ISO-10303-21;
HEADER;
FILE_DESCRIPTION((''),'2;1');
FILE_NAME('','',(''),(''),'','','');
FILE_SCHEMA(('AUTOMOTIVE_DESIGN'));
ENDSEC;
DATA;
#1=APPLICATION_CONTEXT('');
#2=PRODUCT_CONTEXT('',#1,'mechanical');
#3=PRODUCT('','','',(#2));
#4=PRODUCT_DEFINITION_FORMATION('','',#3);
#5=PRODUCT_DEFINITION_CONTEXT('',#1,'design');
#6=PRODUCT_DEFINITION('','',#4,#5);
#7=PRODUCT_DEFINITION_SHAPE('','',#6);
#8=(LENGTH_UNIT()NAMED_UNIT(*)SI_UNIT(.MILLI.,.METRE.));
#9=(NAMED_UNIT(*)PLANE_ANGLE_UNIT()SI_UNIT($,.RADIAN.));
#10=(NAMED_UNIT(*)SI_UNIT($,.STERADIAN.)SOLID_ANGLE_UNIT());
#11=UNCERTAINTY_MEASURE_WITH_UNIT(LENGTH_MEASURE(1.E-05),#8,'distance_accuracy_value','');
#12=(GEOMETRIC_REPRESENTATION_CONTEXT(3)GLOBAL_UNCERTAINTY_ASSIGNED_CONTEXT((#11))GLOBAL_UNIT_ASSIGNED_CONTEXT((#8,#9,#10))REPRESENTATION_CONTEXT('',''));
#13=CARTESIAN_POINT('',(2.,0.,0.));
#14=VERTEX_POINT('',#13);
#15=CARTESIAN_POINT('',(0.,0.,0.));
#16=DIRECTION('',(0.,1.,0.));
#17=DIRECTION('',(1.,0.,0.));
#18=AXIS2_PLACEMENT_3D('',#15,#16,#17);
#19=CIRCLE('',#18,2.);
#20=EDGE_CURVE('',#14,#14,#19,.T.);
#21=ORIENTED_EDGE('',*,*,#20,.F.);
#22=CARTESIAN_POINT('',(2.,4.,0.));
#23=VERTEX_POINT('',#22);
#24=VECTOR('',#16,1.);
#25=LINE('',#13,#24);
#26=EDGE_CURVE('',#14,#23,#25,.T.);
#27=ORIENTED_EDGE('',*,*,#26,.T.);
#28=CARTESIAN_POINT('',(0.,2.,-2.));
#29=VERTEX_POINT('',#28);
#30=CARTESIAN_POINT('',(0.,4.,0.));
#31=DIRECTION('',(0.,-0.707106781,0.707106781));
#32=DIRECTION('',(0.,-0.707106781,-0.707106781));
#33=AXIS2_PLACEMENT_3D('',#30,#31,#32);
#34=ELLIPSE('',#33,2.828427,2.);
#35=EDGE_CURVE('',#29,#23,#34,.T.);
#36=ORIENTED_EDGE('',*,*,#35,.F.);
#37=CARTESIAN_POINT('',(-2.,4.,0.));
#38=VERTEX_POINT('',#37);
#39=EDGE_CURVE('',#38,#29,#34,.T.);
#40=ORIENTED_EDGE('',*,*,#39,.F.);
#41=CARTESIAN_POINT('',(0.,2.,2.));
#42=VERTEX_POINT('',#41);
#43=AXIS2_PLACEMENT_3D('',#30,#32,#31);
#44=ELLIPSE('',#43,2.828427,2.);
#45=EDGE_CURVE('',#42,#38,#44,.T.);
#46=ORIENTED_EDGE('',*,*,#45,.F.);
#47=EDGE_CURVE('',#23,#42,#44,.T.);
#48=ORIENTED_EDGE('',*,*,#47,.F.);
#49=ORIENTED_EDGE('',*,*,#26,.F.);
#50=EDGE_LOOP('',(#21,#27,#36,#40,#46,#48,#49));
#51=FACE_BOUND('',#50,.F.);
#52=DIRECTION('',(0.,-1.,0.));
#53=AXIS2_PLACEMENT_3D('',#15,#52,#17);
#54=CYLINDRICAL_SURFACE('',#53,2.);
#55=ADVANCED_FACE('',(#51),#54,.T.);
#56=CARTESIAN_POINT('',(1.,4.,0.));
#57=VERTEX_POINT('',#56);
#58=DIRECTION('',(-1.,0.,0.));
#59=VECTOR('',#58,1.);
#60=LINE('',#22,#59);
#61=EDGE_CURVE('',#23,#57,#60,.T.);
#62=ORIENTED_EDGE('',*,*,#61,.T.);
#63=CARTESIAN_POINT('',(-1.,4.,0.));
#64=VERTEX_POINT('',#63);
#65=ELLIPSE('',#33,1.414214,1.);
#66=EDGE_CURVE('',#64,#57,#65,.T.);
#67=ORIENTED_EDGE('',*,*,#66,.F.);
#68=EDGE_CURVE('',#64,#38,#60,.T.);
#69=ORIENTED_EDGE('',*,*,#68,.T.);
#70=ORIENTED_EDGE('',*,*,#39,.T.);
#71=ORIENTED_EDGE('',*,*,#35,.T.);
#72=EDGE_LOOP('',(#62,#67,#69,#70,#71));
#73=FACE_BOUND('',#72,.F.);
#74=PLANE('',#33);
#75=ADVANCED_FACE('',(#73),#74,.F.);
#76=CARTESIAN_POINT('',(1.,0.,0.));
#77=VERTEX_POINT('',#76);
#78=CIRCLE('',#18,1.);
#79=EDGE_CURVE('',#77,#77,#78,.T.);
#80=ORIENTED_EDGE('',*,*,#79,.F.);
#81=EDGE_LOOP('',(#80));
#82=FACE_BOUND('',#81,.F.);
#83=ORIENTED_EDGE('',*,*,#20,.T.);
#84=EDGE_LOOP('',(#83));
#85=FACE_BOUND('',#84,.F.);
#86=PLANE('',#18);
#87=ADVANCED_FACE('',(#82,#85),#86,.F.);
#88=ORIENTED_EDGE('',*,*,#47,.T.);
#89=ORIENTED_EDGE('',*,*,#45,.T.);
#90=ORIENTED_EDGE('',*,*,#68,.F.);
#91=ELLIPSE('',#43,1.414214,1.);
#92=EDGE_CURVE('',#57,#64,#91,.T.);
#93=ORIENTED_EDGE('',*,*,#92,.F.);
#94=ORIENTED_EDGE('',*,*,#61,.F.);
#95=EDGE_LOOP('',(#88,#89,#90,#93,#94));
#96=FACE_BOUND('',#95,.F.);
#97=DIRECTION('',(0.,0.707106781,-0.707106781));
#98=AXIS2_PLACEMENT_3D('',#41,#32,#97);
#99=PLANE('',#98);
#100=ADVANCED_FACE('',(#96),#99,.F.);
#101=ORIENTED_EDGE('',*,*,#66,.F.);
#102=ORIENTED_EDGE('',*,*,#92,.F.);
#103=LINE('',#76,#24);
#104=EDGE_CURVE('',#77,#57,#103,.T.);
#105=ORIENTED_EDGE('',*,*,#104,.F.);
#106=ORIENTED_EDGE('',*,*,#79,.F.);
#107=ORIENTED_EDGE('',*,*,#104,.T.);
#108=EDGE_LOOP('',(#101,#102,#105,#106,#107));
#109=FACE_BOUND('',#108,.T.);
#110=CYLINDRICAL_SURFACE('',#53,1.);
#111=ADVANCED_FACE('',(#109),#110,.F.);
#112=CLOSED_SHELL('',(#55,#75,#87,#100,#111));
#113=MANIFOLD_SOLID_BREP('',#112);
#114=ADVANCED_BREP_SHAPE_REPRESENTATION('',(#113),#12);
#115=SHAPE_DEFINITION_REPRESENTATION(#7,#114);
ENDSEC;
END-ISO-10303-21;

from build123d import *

# Parameters (mm, degrees)
SKETCH1_R           = 2
SKETCH1_R_2         = 1
BOSS_EXTRUDE1_DEPTH = 4
CUT_EXTRUDE1_DEPTH  = 2


with BuildPart() as part:
    # Sketch1 → Boss-Extrude1 (new body)
    with BuildSketch(Plane(origin=(0, 0, 0), x_dir=(1, 0, 0), z_dir=(0, 1, 0))):
        Circle(SKETCH1_R)
        Circle(SKETCH1_R_2, mode=Mode.SUBTRACT)
    extrude(amount=BOSS_EXTRUDE1_DEPTH)

    # Sketch2 → Cut-Extrude1 (cut, symmetric)
    with BuildSketch(Plane(origin=(0, 0, 0), x_dir=(0, 0, -1), z_dir=(1, 0, 0))):
        Polygon((2, 4), (0, 4), (2, 2), align=None)
        Polygon((-2, 4), (-2, 2), (0, 4), align=None)
    extrude(amount=CUT_EXTRUDE1_DEPTH, both=True, mode=Mode.SUBTRACT)


solid = part.part
